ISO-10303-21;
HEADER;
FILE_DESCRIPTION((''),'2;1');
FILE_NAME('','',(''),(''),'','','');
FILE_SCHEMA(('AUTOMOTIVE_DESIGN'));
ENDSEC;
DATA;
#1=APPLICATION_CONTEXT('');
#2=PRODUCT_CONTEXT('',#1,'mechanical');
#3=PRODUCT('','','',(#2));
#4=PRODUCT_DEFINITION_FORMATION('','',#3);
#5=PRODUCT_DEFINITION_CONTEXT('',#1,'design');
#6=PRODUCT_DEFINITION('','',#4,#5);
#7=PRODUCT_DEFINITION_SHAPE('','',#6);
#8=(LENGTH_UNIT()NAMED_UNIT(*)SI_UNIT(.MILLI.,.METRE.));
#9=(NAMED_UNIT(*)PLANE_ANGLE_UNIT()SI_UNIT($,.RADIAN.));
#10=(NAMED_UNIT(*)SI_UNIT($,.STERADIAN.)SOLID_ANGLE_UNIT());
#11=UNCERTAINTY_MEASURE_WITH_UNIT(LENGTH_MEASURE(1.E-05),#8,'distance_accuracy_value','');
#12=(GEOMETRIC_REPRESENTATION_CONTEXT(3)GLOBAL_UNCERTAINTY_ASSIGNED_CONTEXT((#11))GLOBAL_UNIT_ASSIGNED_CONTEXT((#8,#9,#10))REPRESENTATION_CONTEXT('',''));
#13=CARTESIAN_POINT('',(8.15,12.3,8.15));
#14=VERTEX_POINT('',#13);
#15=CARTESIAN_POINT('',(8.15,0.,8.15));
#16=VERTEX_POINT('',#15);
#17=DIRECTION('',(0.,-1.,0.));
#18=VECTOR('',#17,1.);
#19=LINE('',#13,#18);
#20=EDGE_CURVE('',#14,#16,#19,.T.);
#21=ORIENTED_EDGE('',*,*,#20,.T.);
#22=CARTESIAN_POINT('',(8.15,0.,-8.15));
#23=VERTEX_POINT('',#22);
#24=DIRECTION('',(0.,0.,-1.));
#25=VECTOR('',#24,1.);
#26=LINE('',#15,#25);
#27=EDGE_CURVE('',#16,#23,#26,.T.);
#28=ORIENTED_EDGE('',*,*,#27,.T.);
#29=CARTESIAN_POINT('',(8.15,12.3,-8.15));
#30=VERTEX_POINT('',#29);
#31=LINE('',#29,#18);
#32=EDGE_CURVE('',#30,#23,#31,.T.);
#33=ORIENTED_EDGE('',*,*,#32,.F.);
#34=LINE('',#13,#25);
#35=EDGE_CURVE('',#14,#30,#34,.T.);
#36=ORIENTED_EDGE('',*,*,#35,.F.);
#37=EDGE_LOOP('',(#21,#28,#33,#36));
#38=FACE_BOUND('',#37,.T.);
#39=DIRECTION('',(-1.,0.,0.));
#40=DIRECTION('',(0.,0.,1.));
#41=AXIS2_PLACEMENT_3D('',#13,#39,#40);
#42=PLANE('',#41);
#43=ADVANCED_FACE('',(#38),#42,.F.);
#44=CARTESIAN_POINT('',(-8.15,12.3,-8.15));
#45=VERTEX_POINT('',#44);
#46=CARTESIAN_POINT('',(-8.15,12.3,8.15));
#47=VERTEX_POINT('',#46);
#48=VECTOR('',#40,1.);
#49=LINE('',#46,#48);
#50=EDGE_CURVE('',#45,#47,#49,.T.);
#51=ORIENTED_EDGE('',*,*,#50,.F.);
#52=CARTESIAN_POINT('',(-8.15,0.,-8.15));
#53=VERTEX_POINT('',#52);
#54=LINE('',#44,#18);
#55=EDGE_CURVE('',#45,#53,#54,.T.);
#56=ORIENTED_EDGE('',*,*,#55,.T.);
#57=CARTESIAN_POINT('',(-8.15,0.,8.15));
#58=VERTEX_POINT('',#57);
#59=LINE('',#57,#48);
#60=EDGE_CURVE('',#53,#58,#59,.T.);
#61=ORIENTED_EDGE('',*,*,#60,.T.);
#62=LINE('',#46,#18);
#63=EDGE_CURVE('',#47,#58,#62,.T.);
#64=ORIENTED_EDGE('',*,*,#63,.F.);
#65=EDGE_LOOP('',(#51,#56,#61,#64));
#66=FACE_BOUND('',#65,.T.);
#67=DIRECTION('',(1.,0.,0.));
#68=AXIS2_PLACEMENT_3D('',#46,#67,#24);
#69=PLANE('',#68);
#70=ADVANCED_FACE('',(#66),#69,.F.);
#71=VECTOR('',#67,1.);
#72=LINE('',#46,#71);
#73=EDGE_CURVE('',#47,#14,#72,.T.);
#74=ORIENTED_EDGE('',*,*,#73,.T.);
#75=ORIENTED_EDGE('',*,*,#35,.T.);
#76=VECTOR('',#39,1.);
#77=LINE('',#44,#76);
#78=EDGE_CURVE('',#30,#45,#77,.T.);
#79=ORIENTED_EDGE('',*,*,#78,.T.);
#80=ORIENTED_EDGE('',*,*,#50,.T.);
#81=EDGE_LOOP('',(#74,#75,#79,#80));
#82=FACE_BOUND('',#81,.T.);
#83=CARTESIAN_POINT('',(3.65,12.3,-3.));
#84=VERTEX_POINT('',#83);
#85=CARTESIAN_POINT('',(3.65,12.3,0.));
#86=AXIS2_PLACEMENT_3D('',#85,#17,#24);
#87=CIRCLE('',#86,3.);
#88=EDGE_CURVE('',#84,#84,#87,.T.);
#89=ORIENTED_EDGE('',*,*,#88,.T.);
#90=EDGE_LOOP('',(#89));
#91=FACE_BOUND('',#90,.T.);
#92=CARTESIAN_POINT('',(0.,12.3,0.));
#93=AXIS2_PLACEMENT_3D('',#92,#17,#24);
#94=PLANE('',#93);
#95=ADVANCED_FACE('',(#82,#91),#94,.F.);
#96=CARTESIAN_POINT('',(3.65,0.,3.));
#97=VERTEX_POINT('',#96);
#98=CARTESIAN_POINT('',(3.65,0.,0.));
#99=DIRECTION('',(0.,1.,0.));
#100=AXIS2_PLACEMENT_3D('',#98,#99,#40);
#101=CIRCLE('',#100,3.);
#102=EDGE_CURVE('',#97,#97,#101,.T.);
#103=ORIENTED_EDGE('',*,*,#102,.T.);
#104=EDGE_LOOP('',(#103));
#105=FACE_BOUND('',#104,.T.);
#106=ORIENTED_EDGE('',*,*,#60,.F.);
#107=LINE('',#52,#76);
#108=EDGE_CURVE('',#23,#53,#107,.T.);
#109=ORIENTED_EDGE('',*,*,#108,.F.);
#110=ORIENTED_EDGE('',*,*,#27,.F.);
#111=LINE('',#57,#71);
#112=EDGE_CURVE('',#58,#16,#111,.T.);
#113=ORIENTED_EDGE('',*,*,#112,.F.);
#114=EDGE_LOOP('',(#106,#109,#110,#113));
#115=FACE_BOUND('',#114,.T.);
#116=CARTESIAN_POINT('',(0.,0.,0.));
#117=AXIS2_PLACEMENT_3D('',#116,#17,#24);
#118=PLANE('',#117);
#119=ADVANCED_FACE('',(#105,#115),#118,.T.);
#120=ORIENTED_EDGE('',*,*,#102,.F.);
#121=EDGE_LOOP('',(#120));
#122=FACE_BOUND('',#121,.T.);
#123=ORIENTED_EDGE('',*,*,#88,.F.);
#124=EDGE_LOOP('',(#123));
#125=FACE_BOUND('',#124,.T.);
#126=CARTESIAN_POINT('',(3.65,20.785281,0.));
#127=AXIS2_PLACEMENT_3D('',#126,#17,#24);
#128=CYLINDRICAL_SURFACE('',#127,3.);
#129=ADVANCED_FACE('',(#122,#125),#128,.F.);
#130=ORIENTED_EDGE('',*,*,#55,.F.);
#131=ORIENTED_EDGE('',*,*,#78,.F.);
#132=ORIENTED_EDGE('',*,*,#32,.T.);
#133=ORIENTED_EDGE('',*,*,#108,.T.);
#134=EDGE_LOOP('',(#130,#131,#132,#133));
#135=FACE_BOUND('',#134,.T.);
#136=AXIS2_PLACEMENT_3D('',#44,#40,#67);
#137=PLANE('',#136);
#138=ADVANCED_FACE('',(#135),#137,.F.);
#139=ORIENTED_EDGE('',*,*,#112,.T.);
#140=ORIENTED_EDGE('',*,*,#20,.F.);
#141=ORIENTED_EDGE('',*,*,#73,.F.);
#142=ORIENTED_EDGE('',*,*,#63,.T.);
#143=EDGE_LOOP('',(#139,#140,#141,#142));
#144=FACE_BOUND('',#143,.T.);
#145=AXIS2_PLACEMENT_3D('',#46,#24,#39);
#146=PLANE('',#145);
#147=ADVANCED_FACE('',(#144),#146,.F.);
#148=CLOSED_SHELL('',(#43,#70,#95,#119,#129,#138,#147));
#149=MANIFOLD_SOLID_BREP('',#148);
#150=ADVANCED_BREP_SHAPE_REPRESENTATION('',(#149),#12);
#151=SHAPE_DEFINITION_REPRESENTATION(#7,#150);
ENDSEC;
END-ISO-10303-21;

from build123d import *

# Parameters (mm, degrees)
SKETCH1_W           = 16.3
SKETCH1_H           = 16.3
BOSS_EXTRUDE1_DEPTH = 12.3
SKETCH2_R           = 3
CUT_EXTRUDE1_DEPTH  = 12.3


with BuildPart() as part:
    # Sketch1 → Boss-Extrude1 (new body)
    with BuildSketch(Plane(origin=(0, 0, 0), x_dir=(1, 0, 0), z_dir=(0, 1, 0))):
        Rectangle(SKETCH1_W, SKETCH1_H)
    extrude(amount=BOSS_EXTRUDE1_DEPTH)

    # Sketch2 → Cut-Extrude1 (cut)
    with BuildSketch(Plane(origin=(0, 0, 0), x_dir=(1, 0, 0), z_dir=(0, 1, 0))):
        with Locations(Location((3.65, 0, 0), (0, 0, 90))):
            Circle(SKETCH2_R)
    extrude(amount=CUT_EXTRUDE1_DEPTH, mode=Mode.SUBTRACT)


solid = part.part
